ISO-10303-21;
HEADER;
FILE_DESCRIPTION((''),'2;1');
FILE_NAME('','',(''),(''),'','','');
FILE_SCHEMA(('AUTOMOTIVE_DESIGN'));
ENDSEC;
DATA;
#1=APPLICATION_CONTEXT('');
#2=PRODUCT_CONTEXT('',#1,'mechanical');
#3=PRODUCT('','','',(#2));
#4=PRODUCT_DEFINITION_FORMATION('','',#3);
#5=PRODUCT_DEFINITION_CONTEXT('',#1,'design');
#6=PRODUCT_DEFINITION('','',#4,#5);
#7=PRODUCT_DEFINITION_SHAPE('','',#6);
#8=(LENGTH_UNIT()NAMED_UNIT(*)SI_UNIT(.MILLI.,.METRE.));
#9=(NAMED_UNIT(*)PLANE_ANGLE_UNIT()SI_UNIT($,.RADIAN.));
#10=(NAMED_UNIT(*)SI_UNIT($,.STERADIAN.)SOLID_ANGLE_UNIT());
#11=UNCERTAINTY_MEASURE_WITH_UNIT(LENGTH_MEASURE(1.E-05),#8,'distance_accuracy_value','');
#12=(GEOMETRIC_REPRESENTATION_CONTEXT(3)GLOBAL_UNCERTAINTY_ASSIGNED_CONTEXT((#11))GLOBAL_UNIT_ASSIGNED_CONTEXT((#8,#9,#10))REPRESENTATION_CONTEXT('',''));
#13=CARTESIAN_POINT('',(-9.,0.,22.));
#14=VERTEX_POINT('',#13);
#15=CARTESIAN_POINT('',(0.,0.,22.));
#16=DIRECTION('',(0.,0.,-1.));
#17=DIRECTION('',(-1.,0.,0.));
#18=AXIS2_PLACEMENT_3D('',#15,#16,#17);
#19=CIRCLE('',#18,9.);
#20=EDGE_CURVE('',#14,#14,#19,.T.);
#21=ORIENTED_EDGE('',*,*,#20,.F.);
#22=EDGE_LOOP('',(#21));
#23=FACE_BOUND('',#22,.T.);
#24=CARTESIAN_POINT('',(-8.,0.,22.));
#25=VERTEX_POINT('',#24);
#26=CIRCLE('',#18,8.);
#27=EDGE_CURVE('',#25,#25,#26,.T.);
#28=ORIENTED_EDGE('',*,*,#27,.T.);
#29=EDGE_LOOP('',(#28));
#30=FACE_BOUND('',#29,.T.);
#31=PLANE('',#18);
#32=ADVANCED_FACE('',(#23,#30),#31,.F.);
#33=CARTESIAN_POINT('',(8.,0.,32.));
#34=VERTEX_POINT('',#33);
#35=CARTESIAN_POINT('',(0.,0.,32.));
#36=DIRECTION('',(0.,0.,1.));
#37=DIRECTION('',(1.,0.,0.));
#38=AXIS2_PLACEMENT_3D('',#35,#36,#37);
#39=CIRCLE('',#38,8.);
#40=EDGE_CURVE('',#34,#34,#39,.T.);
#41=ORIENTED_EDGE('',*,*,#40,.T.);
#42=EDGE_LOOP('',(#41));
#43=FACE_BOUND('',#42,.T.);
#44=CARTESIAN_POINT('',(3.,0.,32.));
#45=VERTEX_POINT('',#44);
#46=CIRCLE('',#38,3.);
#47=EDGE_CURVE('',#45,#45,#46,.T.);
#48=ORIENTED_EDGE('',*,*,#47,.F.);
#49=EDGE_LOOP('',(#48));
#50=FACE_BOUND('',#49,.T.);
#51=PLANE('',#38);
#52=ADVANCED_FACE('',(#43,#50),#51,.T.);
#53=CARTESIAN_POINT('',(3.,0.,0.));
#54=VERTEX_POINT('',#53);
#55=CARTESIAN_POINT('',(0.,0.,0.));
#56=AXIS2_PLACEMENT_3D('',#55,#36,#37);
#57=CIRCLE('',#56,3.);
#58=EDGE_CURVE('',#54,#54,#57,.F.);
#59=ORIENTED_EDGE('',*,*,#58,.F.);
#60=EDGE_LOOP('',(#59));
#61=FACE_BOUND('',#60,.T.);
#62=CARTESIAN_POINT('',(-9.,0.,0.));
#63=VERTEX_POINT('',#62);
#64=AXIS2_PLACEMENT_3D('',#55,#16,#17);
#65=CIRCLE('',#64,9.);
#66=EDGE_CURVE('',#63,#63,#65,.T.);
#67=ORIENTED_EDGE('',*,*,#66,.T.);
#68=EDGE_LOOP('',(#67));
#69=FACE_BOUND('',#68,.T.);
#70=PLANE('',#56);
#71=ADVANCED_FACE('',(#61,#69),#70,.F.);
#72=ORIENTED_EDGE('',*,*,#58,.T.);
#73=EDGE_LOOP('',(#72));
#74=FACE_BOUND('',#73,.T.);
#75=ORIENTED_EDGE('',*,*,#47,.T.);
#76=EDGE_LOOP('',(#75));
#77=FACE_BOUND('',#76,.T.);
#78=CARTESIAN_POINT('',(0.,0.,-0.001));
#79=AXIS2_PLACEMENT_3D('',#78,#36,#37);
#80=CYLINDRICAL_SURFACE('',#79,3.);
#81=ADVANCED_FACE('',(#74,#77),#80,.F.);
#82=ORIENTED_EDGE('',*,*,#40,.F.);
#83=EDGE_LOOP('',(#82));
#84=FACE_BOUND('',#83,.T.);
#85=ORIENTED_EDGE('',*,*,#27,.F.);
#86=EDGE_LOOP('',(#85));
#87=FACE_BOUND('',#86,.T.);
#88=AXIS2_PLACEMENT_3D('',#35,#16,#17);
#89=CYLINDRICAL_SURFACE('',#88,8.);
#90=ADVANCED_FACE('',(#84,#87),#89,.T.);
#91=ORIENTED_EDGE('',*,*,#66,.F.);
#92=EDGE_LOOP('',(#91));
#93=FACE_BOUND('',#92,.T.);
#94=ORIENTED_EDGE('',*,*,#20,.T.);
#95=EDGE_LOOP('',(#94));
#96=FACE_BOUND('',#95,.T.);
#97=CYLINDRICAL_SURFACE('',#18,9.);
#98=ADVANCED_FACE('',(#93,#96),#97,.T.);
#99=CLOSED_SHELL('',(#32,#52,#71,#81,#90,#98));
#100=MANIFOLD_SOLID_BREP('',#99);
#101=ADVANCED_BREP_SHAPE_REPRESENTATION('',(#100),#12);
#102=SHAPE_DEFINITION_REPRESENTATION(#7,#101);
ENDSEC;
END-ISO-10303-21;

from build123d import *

# Parameters (mm, degrees)
SKETCH_1_R          = 8
EXTRUDE_1_DEPTH     = 32
SKETCH_2_R          = 9
EXTRUDE_2_DEPTH     = 22
CUT_EXTRUDE_1_REACH = 36.438
SKETCH_3_R          = 3


with BuildPart() as part:
    # 草图1 → 凸台-拉伸1 (new body)
    with BuildSketch(Plane.XY):
        Circle(SKETCH_1_R)
    extrude(amount=EXTRUDE_1_DEPTH)

    # 草图2 → 凸台-拉伸2 (add)
    with BuildSketch(Plane(origin=(0, 0, 0), x_dir=(-1, 0, 0), z_dir=(0, 0, -1))):
        Circle(SKETCH_2_R)
    extrude(amount=-EXTRUDE_2_DEPTH)

    # 草图3 → 切除-拉伸1 (cut, up to next)
    with BuildSketch(Plane.XY.offset(32), mode=Mode.PRIVATE) as cut_extrude_1_sk1:
        Circle(SKETCH_3_R)
    cut_extrude_1_tool1 = extrude(cut_extrude_1_sk1.sketch, amount=-CUT_EXTRUDE_1_REACH, mode=Mode.PRIVATE) & part.part
    add(cut_extrude_1_tool1.solids().sort_by_distance((0, 0, 32))[0], mode=Mode.SUBTRACT)


solid = part.part
